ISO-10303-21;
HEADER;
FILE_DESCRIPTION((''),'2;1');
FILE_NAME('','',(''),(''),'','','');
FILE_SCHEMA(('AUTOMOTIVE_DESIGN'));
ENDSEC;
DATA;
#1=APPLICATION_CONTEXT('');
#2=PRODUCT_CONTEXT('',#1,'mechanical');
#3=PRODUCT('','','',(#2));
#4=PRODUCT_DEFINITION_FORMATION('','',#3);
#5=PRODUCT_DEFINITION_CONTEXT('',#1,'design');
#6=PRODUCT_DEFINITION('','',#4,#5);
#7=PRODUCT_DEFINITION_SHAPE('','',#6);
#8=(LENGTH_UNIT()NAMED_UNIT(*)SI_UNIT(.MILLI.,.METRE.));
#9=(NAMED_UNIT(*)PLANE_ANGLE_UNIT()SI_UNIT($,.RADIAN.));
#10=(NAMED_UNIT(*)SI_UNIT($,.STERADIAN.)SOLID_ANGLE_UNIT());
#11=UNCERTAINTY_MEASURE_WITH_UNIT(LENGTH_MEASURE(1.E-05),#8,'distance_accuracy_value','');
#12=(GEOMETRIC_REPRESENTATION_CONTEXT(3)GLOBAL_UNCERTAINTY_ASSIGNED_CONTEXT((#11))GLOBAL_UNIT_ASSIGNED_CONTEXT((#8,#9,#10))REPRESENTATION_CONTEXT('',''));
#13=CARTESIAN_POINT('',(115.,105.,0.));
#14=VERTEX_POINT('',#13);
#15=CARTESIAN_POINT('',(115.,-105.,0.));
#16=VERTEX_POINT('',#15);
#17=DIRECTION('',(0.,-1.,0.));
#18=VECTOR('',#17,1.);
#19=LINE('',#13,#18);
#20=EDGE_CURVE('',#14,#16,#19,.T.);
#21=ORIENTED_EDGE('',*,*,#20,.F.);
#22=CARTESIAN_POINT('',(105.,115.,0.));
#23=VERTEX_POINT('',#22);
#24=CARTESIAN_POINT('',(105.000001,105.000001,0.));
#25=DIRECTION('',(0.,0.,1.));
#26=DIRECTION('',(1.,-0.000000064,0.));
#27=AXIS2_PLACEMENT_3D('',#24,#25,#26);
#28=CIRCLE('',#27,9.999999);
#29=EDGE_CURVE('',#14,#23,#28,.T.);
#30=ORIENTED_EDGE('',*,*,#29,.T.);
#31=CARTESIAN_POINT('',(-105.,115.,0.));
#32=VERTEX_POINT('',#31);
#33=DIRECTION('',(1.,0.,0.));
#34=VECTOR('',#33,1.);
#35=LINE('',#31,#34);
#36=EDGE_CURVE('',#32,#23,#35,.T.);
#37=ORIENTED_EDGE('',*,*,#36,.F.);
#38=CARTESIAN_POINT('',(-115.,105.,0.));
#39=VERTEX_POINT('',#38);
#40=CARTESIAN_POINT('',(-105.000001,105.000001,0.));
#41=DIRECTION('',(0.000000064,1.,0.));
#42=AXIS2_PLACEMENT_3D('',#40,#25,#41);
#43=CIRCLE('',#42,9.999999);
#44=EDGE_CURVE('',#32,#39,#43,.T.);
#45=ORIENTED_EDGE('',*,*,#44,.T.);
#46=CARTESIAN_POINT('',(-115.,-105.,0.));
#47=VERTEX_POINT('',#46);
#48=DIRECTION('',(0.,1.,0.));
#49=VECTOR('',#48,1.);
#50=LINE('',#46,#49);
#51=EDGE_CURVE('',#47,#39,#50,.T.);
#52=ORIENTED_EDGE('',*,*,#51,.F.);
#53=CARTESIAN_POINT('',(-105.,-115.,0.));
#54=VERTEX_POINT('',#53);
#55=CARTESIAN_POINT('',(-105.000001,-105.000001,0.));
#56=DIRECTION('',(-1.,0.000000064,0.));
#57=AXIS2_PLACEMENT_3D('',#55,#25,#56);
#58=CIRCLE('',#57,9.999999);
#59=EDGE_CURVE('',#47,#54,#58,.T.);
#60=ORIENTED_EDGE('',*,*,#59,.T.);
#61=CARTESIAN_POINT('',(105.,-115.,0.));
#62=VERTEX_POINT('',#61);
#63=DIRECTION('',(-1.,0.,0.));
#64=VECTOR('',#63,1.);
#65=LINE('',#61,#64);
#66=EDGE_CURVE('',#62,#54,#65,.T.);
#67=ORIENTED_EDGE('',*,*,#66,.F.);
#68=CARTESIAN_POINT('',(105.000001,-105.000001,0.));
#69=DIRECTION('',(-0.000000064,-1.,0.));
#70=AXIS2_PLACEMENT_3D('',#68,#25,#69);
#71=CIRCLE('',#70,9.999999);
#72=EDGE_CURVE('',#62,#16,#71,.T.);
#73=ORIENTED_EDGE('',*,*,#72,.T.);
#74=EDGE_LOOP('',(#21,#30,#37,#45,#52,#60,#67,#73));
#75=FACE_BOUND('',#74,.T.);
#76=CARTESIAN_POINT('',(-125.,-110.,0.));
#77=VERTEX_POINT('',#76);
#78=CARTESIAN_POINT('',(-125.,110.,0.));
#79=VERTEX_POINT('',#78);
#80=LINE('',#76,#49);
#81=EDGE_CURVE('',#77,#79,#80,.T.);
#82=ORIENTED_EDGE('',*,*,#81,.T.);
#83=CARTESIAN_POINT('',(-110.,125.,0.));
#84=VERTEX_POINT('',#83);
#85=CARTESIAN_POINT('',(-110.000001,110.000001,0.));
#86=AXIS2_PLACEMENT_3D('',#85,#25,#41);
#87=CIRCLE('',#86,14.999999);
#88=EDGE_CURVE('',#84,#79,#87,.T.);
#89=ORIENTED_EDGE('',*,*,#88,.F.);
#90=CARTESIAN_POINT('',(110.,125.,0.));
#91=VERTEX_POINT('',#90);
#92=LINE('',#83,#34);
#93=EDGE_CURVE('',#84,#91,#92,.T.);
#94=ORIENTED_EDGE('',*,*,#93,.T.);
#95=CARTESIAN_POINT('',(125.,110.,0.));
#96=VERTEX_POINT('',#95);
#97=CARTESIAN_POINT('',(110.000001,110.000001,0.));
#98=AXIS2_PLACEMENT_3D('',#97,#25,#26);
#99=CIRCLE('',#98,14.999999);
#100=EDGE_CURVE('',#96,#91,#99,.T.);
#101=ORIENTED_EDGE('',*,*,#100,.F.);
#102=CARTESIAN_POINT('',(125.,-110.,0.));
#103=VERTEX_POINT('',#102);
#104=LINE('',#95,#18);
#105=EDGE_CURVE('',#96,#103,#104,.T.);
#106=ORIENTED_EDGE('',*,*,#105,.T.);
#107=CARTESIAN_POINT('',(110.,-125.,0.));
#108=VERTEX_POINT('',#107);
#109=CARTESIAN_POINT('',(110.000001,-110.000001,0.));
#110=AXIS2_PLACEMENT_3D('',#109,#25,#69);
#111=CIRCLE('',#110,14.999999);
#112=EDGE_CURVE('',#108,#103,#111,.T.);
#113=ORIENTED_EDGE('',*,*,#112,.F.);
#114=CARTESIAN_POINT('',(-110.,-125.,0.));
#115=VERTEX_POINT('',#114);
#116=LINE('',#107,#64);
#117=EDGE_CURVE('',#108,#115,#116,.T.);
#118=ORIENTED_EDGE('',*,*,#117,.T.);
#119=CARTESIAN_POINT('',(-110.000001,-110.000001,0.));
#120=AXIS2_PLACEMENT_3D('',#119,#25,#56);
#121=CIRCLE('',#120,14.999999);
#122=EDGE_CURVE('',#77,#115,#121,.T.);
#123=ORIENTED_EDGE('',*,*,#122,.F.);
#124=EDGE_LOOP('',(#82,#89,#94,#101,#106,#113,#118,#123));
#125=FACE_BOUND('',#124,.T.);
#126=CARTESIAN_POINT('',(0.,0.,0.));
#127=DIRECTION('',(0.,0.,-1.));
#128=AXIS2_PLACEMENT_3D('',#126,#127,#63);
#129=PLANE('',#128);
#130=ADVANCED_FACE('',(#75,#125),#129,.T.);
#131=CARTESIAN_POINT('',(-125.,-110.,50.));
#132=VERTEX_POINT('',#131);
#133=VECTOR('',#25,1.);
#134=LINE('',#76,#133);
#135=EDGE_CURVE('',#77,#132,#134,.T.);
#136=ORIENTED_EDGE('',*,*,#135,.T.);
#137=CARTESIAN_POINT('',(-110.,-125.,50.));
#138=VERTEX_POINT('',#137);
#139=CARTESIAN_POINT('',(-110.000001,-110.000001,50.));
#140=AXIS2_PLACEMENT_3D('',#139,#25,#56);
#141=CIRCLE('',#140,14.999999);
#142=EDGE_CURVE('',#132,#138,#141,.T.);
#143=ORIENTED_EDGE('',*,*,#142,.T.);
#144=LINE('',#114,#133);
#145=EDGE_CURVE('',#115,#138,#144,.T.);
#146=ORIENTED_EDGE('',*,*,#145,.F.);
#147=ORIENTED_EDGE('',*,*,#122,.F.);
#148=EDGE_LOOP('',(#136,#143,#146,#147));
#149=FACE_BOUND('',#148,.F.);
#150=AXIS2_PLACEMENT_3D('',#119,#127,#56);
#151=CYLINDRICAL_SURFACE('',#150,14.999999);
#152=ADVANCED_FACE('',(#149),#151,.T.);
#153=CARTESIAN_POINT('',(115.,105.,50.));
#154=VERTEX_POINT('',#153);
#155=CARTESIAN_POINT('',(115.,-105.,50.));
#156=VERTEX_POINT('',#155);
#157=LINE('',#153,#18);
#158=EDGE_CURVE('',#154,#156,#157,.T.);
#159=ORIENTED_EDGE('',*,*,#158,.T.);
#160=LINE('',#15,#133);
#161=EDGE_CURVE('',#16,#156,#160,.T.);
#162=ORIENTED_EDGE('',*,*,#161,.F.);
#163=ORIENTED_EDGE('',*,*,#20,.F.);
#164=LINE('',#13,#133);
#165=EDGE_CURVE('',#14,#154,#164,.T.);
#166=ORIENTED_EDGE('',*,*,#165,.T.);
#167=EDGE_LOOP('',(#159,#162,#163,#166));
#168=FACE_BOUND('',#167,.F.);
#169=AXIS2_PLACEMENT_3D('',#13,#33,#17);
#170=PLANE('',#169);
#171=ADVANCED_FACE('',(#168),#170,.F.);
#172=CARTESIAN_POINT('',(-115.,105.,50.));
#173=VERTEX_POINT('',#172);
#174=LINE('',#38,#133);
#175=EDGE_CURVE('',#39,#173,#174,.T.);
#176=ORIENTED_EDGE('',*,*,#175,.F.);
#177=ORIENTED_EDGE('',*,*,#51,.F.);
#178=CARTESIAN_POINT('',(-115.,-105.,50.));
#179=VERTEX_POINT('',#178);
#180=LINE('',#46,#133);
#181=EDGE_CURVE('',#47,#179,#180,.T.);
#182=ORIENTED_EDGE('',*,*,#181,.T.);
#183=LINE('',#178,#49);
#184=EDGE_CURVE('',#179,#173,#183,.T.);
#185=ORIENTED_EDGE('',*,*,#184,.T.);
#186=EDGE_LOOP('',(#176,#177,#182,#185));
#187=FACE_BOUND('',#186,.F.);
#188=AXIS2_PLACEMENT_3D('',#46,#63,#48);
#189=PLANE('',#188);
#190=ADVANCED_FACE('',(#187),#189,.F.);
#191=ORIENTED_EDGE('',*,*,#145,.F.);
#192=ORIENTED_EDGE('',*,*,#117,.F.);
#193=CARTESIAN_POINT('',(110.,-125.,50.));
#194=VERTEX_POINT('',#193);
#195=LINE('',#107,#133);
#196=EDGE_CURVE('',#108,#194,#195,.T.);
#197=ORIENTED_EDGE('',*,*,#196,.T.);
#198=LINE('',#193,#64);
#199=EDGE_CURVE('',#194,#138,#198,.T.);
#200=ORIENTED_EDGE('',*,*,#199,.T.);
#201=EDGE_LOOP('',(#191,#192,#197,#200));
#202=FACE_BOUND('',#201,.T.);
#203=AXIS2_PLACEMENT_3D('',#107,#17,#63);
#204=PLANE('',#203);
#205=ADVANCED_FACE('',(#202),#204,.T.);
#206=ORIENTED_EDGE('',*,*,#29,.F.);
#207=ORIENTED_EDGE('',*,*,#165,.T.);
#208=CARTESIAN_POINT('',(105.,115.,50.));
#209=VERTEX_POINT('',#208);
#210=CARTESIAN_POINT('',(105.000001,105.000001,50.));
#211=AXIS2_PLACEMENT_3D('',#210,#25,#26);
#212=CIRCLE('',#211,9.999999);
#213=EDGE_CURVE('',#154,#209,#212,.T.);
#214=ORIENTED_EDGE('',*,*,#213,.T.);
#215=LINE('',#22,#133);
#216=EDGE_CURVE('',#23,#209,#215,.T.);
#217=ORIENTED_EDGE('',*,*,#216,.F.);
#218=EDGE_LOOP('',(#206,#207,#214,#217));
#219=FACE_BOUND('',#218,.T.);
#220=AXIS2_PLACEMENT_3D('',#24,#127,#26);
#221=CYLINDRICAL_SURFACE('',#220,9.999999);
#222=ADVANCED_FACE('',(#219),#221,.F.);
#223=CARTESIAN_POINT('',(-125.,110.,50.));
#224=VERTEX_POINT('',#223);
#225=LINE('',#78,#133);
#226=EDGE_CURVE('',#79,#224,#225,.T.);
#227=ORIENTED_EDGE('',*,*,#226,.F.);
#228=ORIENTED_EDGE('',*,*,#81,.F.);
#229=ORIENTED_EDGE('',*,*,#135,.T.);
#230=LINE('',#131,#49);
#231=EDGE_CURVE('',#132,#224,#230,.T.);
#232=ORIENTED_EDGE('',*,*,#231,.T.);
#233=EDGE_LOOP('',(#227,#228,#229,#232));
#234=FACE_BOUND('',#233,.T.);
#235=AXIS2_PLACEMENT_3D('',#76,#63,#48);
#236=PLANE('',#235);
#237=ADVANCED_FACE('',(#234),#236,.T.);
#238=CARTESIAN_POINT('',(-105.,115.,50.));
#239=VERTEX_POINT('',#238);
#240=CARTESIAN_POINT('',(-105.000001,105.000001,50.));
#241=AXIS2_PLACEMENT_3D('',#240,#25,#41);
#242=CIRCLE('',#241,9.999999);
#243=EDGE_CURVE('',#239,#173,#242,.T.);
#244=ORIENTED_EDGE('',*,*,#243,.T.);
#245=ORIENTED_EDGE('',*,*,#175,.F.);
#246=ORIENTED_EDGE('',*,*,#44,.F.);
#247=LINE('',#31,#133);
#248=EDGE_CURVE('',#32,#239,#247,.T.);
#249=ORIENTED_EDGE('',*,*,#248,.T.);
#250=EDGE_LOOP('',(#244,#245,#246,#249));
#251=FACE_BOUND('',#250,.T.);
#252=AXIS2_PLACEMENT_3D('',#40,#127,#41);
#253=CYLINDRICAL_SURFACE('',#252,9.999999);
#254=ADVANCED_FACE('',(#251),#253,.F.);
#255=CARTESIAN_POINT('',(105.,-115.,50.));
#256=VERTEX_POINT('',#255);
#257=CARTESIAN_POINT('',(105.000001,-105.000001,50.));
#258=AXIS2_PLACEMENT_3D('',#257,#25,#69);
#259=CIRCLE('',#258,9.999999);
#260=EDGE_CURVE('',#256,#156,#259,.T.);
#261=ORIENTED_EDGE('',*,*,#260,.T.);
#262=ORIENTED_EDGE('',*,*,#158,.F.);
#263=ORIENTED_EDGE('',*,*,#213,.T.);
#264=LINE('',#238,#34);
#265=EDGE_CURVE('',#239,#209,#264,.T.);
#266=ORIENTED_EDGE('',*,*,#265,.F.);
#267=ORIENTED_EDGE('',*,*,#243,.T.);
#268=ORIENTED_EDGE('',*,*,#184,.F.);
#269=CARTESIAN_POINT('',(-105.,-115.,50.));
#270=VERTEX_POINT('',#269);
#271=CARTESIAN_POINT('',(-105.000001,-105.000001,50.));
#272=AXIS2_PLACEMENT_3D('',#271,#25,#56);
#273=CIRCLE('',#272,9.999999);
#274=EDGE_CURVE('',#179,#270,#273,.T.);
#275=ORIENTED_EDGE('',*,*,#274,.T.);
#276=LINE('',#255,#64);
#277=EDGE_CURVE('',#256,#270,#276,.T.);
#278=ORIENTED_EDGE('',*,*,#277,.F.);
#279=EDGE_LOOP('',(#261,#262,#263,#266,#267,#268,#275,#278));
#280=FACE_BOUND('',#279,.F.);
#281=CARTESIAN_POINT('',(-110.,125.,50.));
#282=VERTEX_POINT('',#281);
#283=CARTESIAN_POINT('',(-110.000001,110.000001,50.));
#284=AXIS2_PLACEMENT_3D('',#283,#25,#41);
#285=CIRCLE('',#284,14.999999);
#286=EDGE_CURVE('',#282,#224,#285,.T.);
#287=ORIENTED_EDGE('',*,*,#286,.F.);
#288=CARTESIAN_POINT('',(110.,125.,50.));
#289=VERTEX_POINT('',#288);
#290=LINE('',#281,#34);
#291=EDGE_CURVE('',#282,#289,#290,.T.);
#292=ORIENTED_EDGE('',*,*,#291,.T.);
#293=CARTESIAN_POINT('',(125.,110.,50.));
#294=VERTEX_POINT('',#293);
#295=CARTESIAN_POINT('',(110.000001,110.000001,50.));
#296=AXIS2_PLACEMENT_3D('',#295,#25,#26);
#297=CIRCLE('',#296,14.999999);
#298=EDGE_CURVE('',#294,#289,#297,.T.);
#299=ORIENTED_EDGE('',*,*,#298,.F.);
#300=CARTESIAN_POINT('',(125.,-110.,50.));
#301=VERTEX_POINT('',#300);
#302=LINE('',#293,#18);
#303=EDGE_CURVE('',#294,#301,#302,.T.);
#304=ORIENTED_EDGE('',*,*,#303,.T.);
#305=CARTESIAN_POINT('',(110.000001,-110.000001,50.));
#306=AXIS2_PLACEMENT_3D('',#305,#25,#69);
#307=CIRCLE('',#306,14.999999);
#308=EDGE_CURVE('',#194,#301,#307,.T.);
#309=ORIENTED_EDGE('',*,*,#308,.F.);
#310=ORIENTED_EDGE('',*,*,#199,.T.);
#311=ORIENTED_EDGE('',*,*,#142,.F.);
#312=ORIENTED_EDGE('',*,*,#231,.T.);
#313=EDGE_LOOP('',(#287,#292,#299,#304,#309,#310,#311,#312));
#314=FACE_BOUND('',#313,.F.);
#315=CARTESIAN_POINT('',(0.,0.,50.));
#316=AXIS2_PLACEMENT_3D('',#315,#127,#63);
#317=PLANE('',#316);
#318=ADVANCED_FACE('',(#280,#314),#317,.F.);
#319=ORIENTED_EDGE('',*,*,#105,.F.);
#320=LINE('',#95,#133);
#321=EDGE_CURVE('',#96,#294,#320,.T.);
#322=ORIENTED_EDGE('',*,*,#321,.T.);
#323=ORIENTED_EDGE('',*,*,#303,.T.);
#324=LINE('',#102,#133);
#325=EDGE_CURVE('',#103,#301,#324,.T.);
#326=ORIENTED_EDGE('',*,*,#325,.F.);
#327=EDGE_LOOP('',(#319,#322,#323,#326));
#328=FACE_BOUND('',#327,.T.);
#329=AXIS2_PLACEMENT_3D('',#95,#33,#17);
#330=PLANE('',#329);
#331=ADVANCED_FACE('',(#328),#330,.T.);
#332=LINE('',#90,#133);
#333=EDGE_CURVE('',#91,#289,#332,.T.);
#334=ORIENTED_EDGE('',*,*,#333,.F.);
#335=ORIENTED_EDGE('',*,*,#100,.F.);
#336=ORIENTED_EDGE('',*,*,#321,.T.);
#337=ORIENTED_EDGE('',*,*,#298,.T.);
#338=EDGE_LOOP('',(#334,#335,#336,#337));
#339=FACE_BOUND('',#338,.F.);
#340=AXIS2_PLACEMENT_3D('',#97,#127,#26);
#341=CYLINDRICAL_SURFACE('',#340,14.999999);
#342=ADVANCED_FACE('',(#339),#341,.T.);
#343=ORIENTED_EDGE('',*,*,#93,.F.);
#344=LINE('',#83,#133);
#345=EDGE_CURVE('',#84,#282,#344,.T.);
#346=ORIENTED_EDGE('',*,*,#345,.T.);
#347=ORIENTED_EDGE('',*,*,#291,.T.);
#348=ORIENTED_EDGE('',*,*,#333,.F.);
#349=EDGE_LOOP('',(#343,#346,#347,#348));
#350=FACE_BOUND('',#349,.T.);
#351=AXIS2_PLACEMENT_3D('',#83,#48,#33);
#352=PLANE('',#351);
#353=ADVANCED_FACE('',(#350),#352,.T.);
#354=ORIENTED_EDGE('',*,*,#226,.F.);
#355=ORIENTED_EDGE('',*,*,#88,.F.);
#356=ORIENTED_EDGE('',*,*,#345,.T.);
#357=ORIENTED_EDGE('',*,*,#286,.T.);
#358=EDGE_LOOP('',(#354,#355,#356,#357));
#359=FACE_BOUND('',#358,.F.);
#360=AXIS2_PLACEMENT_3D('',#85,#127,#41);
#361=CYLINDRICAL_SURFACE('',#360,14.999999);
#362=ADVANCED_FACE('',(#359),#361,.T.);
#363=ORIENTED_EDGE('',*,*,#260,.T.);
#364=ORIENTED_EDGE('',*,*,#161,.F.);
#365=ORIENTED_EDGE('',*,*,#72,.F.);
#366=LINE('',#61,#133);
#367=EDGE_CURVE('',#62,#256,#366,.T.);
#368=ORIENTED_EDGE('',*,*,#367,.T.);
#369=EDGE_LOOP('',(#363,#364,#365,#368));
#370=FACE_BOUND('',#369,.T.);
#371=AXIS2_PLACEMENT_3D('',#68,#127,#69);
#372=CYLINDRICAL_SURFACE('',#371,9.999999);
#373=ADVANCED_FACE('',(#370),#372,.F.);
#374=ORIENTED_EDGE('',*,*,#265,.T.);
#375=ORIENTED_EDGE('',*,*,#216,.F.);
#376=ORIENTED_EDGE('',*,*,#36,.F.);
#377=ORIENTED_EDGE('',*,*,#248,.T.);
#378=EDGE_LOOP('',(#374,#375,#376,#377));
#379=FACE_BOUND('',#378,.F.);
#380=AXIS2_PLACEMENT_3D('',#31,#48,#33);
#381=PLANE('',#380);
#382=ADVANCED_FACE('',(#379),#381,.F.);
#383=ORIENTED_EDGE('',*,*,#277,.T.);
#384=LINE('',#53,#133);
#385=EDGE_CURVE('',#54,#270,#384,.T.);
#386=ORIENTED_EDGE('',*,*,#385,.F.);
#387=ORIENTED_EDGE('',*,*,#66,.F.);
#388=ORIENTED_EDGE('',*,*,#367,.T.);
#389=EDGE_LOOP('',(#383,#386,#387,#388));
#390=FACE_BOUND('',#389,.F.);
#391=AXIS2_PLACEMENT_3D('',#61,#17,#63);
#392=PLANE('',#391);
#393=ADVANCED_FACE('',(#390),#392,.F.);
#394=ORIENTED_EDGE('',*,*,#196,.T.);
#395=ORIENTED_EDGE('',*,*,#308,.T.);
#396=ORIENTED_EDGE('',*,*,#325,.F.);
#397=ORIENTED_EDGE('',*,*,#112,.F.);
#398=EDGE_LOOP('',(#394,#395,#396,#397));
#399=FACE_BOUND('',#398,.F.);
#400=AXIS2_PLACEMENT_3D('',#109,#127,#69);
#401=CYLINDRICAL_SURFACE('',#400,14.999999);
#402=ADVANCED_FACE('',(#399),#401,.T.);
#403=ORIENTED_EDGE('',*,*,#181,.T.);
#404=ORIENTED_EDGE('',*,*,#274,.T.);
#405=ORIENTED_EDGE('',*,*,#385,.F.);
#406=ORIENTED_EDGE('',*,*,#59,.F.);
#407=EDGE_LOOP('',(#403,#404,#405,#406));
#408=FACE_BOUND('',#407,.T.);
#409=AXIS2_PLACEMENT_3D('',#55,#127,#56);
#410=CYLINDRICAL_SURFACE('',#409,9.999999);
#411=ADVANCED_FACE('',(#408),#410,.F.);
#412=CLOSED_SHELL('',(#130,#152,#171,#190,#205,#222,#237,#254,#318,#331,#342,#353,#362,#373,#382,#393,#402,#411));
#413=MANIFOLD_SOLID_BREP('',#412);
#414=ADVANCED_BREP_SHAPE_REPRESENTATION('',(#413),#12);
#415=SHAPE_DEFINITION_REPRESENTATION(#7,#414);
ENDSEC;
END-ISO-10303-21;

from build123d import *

# Parameters (mm, degrees)
EXTRUDE_DEPTH = 50


with BuildPart() as part:
    # Sketch → Extrude (new body)
    with BuildSketch(Plane.XY):
        with BuildLine():
            Line((-110, 125), (110, 125))
            ThreePointArc((125, 110), (120.606602, 120.606602), (110, 125))
            Line((125, 110), (125, -110))
            ThreePointArc((110, -125), (120.606602, -120.606602), (125, -110))
            Line((110, -125), (-110, -125))
            ThreePointArc((-125, -110), (-120.606602, -120.606602), (-110, -125))
            Line((-125, -110), (-125, 110))
            ThreePointArc((-110, 125), (-120.606602, 120.606602), (-125, 110))
        make_face()
        with BuildLine():
            Line((-105, 115), (105, 115))
            ThreePointArc((115, 105), (112.071068, 112.071068), (105, 115))
            Line((115, 105), (115, -105))
            ThreePointArc((105, -115), (112.071068, -112.071068), (115, -105))
            Line((105, -115), (-105, -115))
            ThreePointArc((-115, -105), (-112.071068, -112.071068), (-105, -115))
            Line((-115, -105), (-115, 105))
            ThreePointArc((-105, 115), (-112.071068, 112.071068), (-115, 105))
        make_face(mode=Mode.SUBTRACT)
    extrude(amount=EXTRUDE_DEPTH)


solid = part.part
